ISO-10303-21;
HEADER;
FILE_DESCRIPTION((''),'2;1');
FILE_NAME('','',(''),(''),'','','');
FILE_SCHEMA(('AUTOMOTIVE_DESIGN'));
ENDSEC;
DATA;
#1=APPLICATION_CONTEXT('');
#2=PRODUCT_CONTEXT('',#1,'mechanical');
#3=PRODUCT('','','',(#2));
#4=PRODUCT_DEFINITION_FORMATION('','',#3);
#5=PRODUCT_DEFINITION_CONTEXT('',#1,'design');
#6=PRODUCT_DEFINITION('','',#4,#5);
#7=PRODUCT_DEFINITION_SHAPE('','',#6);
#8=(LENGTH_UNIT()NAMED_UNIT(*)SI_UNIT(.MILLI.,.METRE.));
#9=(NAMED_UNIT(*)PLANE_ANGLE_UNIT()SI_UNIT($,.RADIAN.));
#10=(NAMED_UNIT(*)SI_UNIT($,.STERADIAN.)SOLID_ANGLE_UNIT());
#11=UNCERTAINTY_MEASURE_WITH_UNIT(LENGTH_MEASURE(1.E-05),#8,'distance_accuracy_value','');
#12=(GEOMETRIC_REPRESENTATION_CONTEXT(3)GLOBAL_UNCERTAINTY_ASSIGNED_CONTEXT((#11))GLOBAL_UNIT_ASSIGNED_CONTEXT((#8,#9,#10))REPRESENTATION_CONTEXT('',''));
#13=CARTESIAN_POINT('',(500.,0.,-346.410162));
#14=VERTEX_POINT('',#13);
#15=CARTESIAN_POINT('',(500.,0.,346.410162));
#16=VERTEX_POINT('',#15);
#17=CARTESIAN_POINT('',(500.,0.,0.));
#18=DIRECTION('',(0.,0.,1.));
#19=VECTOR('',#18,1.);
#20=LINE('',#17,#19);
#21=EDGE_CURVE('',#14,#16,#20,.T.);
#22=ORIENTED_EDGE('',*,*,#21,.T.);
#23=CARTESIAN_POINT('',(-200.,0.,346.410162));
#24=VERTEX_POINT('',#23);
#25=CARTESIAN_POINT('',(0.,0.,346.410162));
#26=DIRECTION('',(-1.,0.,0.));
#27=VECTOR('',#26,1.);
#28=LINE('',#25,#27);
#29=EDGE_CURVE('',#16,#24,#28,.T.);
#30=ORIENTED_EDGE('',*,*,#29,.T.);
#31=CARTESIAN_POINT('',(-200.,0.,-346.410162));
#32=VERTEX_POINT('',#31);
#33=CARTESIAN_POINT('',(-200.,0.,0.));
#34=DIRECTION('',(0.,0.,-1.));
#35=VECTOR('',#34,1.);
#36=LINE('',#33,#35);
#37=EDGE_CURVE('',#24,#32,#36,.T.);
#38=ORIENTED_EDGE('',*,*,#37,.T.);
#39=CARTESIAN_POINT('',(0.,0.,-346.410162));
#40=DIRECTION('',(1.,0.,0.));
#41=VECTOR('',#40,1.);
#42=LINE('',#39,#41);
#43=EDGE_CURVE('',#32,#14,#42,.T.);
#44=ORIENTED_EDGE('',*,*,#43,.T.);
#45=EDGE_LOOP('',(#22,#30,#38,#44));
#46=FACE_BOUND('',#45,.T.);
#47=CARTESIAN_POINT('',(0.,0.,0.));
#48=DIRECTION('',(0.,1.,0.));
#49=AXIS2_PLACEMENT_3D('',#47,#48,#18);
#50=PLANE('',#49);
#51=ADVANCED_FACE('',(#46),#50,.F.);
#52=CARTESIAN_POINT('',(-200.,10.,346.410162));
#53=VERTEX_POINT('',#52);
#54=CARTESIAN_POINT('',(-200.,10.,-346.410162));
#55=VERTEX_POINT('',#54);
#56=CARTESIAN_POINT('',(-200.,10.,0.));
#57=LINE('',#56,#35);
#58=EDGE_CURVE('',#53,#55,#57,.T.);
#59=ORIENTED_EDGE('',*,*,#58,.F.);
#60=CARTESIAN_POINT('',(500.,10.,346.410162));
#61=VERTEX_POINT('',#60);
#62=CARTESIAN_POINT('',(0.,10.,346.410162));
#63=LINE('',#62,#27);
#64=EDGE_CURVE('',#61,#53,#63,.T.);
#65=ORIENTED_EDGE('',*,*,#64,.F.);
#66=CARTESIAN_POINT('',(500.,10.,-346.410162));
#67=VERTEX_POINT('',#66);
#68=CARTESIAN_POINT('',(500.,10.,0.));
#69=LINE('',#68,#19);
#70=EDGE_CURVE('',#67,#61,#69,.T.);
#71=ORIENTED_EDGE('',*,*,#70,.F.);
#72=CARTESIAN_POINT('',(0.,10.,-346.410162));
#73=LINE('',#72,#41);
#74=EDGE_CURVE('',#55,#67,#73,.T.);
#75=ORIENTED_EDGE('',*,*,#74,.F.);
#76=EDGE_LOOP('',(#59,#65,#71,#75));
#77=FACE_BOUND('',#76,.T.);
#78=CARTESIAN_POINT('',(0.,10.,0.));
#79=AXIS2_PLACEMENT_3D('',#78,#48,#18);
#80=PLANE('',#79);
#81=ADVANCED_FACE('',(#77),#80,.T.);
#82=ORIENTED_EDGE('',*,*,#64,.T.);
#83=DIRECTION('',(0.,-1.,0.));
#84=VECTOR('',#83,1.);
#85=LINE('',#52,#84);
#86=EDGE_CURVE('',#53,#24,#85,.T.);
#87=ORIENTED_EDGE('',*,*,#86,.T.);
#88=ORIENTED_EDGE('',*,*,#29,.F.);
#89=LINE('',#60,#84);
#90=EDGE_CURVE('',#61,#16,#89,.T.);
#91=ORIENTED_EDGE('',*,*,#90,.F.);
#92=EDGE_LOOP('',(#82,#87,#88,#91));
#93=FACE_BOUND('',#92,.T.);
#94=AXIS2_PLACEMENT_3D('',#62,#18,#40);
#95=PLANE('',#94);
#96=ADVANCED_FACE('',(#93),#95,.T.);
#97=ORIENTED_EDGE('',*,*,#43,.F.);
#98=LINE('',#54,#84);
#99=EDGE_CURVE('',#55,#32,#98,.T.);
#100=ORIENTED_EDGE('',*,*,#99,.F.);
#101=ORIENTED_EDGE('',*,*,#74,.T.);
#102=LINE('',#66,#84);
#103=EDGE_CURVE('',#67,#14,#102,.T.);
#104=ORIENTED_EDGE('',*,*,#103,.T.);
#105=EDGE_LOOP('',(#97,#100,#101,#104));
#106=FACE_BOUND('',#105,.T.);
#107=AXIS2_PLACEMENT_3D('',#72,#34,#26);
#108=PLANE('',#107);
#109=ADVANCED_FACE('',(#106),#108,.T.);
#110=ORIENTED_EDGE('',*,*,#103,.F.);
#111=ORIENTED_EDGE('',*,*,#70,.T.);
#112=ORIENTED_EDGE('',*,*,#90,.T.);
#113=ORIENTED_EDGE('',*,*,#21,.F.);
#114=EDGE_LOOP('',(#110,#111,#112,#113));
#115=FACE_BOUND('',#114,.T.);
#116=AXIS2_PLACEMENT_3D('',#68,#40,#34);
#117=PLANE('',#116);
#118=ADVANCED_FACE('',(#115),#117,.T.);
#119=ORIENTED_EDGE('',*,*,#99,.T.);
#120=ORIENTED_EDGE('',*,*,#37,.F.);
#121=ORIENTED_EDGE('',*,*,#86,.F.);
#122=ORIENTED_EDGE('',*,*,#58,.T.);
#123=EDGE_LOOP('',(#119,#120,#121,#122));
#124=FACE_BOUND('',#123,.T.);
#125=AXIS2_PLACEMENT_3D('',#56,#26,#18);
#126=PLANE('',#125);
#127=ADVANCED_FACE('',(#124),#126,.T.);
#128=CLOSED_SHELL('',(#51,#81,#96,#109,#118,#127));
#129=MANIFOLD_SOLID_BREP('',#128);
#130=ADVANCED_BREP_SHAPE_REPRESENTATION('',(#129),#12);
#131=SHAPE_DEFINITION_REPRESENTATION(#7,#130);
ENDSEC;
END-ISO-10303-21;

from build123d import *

# Parameters (mm, degrees)
BOSS_EXTRUDE1_DEPTH = 10


with BuildPart() as part:
    # Sketch1 → Boss-Extrude1 (new body)
    with BuildSketch(Plane(origin=(0, 0, 0), x_dir=(1, 0, 0), z_dir=(0, 1, 0))):
        Polygon((100, -173.205080757), (200, 0), (100, 173.205080757), (-100, 173.205080757), (-200, 0), (-100, -173.205080757), align=None)
        Polygon((400, 346.410161514), (200, 346.410161514), (100, 173.205080757), (200, 0), (400, 0), (500, 173.205080757), align=None)
        Polygon((500, -173.205080757), (400, 0), (200, 0), (100, -173.205080757), (200, -346.410161514), (400, -346.410161514), align=None)
        Polygon((-200, 346.410161514), (200, 346.410161514), (100, 173.205080757), (-100, 173.205080757), (-200, 0), align=None)
        Polygon((-100, -173.205080757), (-200, 0), (-200, -346.410161514), (200, -346.410161514), (100, -173.205080757), align=None)
        Polygon((500, 173.205080757), (400, 0), (500, -173.205080757), align=None)
        Polygon((500, 346.410161514), (400, 346.410161514), (500, 173.205080757), align=None)
        Polygon((500, -346.410161514), (500, -173.205080757), (400, -346.410161514), align=None)
    extrude(amount=BOSS_EXTRUDE1_DEPTH)


solid = part.part
